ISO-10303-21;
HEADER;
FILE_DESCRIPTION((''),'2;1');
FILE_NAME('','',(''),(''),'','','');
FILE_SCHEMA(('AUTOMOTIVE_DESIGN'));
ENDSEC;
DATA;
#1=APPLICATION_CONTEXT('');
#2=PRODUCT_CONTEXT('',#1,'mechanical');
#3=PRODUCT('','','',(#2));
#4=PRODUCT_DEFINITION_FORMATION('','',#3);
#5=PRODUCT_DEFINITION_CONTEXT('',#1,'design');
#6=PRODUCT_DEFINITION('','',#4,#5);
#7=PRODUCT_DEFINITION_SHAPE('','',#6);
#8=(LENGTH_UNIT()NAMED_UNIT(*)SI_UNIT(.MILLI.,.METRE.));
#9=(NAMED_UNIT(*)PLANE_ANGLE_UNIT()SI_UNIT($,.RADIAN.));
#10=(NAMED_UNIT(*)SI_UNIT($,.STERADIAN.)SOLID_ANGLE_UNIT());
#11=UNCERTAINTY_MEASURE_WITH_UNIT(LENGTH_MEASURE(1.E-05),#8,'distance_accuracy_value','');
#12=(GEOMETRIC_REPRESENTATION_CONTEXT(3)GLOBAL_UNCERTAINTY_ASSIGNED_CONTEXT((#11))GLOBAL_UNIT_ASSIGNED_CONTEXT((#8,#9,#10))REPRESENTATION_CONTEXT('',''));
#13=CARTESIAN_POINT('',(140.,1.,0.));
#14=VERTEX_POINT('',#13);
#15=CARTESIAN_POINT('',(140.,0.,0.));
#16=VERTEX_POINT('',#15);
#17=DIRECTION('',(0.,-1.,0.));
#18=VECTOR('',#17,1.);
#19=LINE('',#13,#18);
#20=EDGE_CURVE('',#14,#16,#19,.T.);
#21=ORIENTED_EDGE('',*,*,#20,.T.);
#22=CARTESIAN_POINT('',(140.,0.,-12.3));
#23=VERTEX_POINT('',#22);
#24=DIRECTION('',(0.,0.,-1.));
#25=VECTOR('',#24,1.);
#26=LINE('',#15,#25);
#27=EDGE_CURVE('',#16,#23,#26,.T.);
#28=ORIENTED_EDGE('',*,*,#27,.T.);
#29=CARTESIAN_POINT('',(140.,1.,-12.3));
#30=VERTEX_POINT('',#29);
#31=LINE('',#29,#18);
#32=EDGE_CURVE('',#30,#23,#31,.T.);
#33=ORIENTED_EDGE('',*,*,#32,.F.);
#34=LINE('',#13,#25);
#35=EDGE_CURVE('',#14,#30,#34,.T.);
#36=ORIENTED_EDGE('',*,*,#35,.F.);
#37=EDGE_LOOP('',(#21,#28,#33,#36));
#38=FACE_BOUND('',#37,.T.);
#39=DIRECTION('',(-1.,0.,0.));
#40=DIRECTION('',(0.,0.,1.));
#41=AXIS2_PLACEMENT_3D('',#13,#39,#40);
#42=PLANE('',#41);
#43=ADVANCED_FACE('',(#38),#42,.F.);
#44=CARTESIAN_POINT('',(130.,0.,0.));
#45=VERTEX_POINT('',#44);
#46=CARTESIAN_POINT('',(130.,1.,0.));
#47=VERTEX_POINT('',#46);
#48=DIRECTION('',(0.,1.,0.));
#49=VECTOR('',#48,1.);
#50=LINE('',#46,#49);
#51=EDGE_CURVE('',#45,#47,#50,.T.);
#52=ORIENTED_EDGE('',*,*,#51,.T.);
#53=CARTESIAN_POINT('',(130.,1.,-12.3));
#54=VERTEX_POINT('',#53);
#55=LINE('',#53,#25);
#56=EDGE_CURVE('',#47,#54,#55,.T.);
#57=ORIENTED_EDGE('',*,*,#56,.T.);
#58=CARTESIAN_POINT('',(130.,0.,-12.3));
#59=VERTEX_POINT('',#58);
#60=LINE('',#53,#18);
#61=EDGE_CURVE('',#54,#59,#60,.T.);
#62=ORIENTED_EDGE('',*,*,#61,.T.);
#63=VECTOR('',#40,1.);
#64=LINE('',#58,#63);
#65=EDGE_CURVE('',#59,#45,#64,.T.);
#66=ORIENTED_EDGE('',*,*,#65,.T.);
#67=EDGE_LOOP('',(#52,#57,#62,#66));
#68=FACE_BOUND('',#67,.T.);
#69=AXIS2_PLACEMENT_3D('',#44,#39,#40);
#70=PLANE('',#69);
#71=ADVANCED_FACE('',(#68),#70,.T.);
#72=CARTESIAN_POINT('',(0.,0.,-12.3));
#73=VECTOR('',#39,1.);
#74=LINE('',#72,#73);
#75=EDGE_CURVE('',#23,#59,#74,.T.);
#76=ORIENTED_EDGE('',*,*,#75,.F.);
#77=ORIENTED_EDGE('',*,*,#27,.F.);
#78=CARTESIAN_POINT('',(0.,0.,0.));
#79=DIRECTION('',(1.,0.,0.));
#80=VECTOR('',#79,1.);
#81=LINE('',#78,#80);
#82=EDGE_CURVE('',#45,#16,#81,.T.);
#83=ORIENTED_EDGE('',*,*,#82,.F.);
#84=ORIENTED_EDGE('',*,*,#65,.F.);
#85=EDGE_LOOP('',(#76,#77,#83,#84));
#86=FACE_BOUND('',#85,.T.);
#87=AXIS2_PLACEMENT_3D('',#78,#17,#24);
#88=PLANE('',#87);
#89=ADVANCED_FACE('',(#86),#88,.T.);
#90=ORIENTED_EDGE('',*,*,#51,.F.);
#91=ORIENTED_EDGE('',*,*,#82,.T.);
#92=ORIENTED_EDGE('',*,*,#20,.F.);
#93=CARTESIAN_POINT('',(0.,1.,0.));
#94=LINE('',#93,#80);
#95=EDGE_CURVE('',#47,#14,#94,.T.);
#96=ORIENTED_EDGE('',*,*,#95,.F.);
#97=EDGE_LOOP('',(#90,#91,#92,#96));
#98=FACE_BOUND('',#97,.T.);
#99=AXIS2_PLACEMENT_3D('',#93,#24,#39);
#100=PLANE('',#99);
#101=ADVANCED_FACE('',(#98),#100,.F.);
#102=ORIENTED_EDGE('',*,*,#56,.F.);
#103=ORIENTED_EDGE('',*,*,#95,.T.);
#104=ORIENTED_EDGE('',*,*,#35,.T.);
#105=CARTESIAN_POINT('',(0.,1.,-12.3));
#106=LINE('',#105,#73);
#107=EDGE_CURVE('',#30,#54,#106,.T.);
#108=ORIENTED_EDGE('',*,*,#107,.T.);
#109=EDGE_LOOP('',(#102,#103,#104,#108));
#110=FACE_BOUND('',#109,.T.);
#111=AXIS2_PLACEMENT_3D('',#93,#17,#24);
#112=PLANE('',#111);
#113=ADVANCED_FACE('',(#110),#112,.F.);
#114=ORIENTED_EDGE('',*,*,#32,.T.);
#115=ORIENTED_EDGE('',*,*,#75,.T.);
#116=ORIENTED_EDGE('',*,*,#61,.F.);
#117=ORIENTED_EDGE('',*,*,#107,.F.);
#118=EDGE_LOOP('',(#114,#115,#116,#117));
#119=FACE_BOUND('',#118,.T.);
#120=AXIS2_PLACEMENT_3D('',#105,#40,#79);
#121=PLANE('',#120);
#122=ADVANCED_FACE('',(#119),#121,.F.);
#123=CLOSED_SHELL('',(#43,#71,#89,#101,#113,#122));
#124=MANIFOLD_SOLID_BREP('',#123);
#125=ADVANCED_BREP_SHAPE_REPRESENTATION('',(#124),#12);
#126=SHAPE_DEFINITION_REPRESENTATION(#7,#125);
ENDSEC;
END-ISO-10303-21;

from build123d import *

# Parameters (mm, degrees)
SKETCH1_W           = 140
SKETCH1_H           = 12.3
BOSS_EXTRUDE1_DEPTH = 1
SKETCH2_W           = 12.3
SKETCH2_H           = 1
CUT_EXTRUDE1_DEPTH  = 130


with BuildPart() as part:
    # Sketch1 → Boss-Extrude1 (new body)
    with BuildSketch(Plane(origin=(0, 0, 0), x_dir=(1, 0, 0), z_dir=(0, 1, 0))):
        with Locations((70, 6.15)):
            Rectangle(SKETCH1_W, SKETCH1_H)
    extrude(amount=BOSS_EXTRUDE1_DEPTH)

    # Sketch2 → Cut-Extrude1 (cut)
    with BuildSketch(Plane.ZY):
        with Locations((-6.15, 0.5)):
            Rectangle(SKETCH2_W, SKETCH2_H)
    extrude(amount=-CUT_EXTRUDE1_DEPTH, mode=Mode.SUBTRACT)


solid = part.part
